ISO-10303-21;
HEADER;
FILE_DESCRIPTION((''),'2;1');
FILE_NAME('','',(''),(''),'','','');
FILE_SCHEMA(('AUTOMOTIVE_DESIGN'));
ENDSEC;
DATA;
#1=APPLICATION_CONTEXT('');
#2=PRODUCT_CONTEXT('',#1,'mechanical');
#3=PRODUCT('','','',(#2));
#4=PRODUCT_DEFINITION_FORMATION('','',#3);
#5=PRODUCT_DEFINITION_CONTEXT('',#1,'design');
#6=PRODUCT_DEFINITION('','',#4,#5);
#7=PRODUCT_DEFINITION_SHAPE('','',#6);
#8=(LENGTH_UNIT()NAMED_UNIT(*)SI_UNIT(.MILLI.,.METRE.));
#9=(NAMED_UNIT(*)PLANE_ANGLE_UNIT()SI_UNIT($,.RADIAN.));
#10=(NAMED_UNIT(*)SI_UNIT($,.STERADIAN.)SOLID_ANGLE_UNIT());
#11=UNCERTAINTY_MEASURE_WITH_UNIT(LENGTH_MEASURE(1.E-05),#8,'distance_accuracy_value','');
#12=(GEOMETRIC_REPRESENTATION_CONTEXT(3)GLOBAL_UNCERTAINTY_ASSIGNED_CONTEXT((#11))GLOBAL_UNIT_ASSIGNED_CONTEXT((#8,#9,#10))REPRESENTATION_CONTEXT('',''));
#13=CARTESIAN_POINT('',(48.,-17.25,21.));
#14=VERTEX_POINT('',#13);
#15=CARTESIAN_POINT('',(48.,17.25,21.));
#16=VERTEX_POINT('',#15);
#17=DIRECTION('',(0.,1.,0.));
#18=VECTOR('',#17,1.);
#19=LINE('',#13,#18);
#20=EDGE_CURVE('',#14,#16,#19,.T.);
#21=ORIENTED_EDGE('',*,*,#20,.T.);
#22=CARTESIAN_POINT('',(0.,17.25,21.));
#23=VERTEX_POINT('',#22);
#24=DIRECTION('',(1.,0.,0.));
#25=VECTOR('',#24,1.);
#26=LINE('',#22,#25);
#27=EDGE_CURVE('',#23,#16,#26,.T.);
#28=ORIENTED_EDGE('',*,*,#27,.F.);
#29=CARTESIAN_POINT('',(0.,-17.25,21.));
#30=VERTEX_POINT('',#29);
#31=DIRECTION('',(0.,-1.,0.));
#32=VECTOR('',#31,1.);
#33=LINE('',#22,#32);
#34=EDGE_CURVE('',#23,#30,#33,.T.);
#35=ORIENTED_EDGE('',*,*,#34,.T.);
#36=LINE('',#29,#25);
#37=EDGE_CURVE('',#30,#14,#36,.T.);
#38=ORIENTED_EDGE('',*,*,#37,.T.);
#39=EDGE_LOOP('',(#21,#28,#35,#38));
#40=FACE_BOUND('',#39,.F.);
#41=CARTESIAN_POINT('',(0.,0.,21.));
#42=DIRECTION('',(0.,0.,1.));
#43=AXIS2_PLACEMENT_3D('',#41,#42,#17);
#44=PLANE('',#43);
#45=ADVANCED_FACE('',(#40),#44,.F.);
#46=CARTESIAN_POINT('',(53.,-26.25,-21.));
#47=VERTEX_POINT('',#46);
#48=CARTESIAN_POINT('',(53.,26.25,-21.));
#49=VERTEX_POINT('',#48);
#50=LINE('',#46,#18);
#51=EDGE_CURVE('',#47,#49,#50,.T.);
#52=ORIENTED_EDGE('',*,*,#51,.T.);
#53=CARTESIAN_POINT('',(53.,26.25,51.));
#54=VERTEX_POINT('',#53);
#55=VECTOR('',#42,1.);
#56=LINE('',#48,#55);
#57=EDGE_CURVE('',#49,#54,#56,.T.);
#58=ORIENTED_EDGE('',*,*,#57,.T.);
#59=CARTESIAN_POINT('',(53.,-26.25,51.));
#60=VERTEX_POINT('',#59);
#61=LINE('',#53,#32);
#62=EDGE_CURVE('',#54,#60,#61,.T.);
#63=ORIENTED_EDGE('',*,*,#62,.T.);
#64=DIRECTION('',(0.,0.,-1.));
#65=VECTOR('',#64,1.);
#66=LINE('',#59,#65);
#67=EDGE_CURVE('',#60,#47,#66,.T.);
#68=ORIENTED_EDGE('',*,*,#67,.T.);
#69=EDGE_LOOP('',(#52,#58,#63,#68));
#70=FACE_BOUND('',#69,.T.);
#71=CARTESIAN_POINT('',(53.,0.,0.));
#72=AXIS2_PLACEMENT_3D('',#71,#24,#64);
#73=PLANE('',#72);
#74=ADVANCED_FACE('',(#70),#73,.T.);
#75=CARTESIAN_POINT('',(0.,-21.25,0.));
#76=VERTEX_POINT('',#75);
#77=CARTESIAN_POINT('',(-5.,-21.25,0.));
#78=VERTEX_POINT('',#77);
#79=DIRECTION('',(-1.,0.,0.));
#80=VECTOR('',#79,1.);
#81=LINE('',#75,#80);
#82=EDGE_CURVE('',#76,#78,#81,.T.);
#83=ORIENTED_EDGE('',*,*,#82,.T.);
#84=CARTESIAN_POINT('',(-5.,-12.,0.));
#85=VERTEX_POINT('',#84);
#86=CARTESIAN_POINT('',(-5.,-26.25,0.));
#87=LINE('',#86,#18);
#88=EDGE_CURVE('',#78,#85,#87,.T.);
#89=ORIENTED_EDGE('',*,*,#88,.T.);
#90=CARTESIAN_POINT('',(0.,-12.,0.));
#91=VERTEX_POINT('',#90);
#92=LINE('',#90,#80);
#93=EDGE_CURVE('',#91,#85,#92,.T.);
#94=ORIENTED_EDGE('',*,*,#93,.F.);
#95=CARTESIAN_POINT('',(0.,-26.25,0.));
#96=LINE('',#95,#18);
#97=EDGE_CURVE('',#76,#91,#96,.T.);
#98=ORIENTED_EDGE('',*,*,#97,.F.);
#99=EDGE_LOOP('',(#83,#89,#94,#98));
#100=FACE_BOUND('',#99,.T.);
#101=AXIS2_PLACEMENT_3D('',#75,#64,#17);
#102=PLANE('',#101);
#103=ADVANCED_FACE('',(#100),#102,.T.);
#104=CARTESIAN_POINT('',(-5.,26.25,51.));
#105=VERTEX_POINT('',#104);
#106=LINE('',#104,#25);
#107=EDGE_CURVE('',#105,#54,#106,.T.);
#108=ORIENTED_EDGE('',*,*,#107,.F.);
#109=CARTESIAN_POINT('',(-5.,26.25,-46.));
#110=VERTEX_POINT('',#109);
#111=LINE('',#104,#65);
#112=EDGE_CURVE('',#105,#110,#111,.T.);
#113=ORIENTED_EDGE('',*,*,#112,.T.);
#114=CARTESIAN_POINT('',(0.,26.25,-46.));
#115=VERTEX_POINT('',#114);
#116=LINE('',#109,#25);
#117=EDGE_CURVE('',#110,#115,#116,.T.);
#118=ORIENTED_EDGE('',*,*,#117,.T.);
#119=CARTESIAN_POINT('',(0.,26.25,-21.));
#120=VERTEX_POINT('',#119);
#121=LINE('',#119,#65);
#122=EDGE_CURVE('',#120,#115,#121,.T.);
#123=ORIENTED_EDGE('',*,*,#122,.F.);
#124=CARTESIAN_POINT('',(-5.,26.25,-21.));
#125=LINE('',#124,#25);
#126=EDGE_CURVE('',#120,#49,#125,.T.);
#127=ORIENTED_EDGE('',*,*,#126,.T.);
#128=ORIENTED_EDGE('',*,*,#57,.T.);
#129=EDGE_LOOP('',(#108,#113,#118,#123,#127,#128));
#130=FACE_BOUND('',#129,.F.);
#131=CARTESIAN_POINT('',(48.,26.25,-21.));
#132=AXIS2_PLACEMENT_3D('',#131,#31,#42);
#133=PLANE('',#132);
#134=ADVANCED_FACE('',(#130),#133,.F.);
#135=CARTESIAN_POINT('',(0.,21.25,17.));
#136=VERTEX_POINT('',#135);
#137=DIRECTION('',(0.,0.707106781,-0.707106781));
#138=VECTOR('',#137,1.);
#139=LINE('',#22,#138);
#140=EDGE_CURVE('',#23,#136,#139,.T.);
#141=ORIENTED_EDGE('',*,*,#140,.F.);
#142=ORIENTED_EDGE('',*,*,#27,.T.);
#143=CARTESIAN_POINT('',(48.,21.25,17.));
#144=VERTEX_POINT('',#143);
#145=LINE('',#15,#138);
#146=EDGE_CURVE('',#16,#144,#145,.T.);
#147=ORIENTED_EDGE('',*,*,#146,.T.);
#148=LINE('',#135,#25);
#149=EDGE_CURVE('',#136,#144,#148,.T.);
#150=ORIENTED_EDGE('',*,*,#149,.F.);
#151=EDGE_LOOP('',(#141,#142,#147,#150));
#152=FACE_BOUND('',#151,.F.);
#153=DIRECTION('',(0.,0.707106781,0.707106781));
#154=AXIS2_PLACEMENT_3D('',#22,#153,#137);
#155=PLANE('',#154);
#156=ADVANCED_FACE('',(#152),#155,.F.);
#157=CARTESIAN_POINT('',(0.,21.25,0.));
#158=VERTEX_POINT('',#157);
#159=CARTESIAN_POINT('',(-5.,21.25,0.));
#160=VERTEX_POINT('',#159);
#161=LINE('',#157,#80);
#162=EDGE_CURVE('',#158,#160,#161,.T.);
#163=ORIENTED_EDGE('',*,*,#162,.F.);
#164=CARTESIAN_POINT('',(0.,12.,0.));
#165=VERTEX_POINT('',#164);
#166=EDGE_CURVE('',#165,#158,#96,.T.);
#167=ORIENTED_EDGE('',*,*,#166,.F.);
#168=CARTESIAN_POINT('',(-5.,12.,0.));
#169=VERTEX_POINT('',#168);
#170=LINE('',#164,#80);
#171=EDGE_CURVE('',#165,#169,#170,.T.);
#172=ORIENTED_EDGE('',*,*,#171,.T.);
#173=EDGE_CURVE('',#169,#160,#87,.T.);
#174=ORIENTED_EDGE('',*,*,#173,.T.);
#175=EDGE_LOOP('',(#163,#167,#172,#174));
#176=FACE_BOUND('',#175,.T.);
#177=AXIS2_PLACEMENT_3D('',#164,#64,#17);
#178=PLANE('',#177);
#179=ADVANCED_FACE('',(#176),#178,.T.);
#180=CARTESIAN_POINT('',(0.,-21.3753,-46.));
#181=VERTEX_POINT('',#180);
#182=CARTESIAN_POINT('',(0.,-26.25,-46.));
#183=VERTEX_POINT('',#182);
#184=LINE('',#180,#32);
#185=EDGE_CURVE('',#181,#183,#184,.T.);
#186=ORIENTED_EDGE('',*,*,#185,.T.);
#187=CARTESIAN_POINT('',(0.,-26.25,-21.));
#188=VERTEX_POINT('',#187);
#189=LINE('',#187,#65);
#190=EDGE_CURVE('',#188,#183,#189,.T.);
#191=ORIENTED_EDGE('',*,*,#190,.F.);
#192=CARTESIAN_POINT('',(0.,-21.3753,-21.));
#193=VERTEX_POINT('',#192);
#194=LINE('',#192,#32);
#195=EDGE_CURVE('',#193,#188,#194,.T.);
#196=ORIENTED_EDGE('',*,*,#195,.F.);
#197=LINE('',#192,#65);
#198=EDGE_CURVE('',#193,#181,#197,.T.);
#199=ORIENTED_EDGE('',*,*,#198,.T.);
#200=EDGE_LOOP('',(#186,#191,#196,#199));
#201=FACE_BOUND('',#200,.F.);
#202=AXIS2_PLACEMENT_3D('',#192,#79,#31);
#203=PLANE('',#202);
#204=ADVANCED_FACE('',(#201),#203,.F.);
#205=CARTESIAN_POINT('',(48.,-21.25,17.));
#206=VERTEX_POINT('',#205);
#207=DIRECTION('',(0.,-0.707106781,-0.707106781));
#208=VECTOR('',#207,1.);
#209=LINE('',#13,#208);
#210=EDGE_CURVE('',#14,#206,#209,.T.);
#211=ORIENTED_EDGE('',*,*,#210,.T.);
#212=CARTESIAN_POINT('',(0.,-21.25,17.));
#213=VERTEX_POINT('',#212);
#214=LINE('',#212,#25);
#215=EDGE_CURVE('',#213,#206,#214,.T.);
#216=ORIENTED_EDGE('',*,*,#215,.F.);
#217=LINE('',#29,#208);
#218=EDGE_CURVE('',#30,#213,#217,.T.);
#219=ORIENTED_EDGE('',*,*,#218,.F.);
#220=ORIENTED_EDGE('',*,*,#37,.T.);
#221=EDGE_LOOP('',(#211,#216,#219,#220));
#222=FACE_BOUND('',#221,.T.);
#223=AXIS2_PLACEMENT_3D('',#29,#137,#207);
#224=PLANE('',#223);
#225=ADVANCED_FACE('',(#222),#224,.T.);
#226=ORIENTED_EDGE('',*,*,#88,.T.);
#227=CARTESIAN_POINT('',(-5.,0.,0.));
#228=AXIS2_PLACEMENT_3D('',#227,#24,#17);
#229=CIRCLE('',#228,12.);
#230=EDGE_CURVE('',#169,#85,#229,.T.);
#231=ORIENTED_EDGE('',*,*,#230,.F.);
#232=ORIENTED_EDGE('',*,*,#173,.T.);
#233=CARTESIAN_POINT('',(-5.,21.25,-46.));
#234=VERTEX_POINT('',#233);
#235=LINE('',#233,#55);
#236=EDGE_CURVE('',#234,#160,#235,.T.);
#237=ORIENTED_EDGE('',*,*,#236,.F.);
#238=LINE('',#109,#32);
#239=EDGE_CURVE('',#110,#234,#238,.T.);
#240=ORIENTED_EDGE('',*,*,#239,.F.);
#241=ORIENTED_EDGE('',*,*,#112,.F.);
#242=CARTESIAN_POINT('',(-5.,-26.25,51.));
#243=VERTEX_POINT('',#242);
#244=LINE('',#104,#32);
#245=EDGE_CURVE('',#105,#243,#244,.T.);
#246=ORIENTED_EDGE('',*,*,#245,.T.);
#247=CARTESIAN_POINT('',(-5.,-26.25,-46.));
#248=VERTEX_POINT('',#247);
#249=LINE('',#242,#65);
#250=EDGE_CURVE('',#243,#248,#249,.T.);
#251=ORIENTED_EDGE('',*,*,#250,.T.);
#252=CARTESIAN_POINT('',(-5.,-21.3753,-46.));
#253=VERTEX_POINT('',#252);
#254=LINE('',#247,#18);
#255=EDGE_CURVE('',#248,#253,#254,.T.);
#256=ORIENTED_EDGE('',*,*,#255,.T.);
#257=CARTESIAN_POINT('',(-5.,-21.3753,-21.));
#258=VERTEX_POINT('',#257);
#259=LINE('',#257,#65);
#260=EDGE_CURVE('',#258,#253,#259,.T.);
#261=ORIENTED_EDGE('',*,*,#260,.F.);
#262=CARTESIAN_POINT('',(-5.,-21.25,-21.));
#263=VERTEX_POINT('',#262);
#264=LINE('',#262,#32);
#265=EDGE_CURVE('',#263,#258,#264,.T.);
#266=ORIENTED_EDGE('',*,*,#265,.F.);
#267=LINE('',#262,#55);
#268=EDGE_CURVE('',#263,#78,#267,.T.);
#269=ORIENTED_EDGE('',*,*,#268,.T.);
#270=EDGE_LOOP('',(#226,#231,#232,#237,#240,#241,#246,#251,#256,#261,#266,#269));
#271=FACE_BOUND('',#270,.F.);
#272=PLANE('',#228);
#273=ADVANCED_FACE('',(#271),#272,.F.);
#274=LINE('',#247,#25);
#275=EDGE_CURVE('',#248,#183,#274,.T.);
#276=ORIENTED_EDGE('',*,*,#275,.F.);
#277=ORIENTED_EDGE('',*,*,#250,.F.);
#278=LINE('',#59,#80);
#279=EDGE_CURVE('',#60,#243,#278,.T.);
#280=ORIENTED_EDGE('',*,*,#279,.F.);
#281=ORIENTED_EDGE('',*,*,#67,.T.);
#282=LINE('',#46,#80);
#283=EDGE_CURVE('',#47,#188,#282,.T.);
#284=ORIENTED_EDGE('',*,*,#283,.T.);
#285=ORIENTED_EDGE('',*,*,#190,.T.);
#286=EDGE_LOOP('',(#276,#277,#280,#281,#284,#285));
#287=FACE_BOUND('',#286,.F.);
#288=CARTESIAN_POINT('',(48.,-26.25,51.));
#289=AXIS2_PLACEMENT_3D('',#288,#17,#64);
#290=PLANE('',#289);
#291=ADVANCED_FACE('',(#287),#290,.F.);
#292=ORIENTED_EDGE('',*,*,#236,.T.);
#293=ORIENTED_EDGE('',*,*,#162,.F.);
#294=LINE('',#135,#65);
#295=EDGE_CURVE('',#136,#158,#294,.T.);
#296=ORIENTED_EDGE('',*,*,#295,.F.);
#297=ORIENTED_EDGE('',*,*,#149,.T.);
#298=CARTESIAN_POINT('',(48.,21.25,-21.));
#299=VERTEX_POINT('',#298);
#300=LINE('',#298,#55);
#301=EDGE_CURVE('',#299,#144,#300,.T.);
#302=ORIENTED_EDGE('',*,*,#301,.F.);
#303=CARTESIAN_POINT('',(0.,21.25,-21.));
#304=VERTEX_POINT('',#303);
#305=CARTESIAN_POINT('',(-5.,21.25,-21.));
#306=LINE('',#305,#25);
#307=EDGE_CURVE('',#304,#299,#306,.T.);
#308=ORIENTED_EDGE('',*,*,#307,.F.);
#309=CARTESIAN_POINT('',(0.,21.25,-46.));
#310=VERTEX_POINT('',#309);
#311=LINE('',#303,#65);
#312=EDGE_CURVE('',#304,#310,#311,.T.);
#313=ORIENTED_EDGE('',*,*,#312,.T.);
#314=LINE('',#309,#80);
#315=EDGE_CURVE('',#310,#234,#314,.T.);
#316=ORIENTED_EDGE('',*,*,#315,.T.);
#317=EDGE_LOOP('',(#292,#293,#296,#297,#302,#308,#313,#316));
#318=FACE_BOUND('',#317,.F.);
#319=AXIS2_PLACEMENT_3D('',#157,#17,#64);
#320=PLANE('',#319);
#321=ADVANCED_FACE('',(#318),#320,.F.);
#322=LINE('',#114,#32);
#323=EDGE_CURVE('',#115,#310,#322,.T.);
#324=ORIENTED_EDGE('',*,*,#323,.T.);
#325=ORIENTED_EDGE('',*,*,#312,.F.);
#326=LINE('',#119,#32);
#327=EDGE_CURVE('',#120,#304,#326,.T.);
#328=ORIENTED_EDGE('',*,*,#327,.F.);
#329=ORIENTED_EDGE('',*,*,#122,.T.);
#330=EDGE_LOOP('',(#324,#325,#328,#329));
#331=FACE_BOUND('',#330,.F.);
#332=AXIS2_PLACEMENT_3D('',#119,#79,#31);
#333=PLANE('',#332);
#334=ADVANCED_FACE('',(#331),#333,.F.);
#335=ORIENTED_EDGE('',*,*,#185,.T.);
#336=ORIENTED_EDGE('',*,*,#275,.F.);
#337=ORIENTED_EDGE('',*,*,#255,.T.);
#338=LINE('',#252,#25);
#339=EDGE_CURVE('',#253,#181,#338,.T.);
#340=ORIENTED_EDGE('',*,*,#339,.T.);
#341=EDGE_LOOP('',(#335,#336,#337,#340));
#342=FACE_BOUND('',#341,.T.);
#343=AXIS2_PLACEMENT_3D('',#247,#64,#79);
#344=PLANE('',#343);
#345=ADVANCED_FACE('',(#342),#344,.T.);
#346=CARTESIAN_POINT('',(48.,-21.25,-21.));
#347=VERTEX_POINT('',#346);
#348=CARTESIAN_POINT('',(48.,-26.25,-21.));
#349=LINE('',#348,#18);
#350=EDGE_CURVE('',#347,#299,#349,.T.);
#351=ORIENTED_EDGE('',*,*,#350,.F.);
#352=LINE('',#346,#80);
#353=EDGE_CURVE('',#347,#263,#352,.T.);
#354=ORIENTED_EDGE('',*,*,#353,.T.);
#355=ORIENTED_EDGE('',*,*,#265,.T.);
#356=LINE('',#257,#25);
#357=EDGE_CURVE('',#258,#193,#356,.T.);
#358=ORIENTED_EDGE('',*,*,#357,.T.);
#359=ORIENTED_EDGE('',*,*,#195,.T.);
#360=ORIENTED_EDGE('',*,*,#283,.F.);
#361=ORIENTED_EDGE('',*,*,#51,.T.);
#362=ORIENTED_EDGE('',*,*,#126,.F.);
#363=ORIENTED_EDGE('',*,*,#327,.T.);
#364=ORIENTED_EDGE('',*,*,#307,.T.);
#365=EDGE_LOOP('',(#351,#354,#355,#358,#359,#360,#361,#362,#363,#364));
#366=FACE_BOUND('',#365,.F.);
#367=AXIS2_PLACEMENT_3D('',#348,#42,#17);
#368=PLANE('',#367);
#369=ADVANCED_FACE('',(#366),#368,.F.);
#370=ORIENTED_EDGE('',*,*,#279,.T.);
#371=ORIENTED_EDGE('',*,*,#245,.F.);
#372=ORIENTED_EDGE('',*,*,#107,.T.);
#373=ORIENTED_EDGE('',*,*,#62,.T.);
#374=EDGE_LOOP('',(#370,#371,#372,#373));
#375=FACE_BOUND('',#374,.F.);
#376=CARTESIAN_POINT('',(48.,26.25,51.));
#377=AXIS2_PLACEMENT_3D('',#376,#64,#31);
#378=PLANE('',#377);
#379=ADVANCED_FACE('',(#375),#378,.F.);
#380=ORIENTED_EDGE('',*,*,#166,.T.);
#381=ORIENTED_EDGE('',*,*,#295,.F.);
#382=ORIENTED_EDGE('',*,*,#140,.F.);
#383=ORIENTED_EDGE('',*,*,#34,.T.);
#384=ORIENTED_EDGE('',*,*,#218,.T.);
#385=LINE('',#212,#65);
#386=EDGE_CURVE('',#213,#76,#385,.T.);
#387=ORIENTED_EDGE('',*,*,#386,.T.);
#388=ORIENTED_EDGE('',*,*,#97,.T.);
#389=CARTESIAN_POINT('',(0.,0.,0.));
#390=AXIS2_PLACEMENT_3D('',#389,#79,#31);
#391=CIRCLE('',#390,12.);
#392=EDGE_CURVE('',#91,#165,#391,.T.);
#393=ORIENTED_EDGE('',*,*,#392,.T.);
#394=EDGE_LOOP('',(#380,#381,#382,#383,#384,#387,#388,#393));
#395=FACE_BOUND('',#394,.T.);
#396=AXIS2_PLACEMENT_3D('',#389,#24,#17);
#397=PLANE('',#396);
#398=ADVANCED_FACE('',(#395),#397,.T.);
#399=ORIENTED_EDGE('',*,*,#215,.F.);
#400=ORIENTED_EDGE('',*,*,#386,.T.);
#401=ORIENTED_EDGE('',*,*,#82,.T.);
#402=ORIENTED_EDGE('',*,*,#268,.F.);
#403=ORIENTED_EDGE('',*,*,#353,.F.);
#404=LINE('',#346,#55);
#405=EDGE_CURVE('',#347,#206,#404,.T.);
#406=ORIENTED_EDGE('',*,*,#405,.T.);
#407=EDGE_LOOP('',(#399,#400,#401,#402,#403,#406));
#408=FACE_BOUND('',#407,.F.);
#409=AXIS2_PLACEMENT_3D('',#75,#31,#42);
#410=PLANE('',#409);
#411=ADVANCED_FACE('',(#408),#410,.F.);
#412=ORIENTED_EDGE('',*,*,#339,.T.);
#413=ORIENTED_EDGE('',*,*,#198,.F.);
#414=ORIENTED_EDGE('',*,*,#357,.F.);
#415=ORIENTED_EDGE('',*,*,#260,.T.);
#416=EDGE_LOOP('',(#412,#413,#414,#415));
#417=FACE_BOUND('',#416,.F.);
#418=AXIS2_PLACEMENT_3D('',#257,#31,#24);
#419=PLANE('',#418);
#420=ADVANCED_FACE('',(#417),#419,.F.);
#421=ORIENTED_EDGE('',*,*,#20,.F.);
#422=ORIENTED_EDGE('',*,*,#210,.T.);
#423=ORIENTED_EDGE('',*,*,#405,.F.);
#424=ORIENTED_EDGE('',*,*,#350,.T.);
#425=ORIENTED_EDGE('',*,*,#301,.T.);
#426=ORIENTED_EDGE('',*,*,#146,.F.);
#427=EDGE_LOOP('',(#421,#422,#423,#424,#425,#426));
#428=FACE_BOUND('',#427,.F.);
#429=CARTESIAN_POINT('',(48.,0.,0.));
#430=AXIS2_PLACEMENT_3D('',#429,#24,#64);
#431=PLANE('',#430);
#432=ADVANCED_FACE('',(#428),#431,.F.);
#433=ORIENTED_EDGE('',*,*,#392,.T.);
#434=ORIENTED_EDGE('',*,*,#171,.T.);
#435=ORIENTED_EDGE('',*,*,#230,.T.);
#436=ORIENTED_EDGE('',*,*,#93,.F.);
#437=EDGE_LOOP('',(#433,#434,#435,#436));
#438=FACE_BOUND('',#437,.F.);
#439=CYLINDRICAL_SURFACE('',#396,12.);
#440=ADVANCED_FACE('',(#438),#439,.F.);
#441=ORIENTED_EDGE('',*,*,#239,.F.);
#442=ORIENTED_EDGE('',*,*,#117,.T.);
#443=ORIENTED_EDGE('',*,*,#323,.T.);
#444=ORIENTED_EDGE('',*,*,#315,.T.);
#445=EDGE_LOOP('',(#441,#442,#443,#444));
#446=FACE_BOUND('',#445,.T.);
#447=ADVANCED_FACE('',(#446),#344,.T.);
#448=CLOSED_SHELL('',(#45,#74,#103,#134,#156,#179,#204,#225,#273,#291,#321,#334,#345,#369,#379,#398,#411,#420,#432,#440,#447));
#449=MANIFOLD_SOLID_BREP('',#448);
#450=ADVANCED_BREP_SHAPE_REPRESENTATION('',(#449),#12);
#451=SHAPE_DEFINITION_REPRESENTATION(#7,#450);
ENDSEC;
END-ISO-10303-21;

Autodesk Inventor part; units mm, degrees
ref_plane "YZ Plane" through (0, 0, 0) normal (1, 0, 0) x (0, 1, 0)
ref_plane "XZ Plane" through (0, 0, 0) normal (0, 1, 0) x (-1, 0, 0)
ref_plane "XY Plane" through (0, 0, 0) normal (0, 0, 1) x (1, 0, 0)
sketch "Sketch1" plane through (0, 0, 0) normal (1, 0, 0) x (0, 1, 0)
  line L0 (21.25, -21) -> (-21.25, -21)
  line L1 (-21.25, -21) -> (-21.25, 21)
  line L2 (-21.25, 21) -> (21.25, 21)
  line L3 (21.25, 21) -> (21.25, -21)
  line L4 (21.25, -21) -> (-21.25, 21) construction
  line L5 (-21.25, -21) -> (21.25, 21) construction
  line L6 (-26.25, 26) -> (26.25, 26)
  line L7 (26.25, 26) -> (26.25, -26)
  line L8 (26.25, -26) -> (-26.25, -26)
  line L9 (-26.25, -26) -> (-26.25, 26)
  line L10 (-26.25, 26) -> (26.25, -26) construction
  line L11 (26.25, 26) -> (-26.25, -26) construction
  line L12 (17.25, 21) -> (21.25, 17)
  line L13 (-26.25, 0) -> (26.25, 0)
  line L14 (0, 26) -> (0, -26)
  line L15 (21.25, -21) -> (-21.25, 21) construction
  line L16 (-17.25, 21) -> (-21.25, 17)
  line L17 (21.25, -21) -> (26.25, -21)
  line L18 (-21.25, -21) -> (-26.25, -21)
  circle A0 centre (0, 0) radius 12
  line L19 (-26.25, 26) -> (26.25, 26)
  line L20 (26.25, 26) -> (26.25, 51)
  line L21 (26.25, 51) -> (-26.25, 51)
  line L22 (-26.25, 51) -> (-26.25, 26)
  point P0 (-21.25, 17)
  point P1 (-17.25, 21)
  point P2 (-21.25, 0)
  point P3 (-12, 0)
  point P4 (12, 0)
  point P5 (21.25, 0)
  dimension "d0" = 42.5
  dimension "d1" = 42
  dimension "d2" = 5
  dimension "d3" = 5
  dimension "d4" = 4
  dimension "d5" = 4
  dimension "d8" = 24
  dimension "d15" = 25
extrude "Extrusion1" add sketch "Sketch1" along normal blind 48 contours L3 L13 L7 L17 | L3 L2 L14 L6 L7 L13 | L18 L9 L13 L1 | L12 L2 L3 | L13 L9 L6 L14 L2 L1 | L6 L22 L21 L20 | L1 L2 L16
extrude "Extrusion2" add sketch "Sketch1" against normal blind 5 contours L3 L13 L7 L17 | L13 A0 L14 L2 L12 L3 | L3 L2 L14 L6 L7 L13 | L18 L9 L13 L1 | L12 L2 L3 | L13 L9 L6 L14 L2 L1 | L1 L16 L2 L14 A0 L13 | L6 L22 L21 L20 | L1 L2 L16
sketch "Sketch2" plane through (48, 0, 0) normal (1, 0, 0) x (0, 0, -1)
  line L0 (21, 26.25) -> (-51, 26.25)
  line L1 (-51, 26.25) -> (-51, -26.25)
  line L2 (-51, -26.25) -> (21, -26.25)
  line L3 (21, -26.25) -> (21, 26.25)
  point P0 (0, 0)
  point P1 (-26, -26.25)
extrude "Extrusion3" add sketch "Sketch2" along normal blind 5
sketch "Sketch4" plane through (-5, -26.25, -21) normal (0, 0, -1) x (-1, 0, 0)
  line L0 (0, 52.5) -> (0, 47.5) projected
  line L1 (-5, 47.5) -> (-53, 47.5) projected
  line L2 (0, 52.5) -> (-5, 52.5)
  line L3 (-5, 52.5) -> (-5, 47.5)
  line L4 (-5, 47.5) -> (0, 47.5)
  line L5 (0, 47.5) -> (0, 52.5)
  line L6 (0, 0) -> (0, 52.5) projected
  line L7 (0, 0) -> (-58, 0) projected
  line L8 (0, 4.8747) -> (-5, 4.8747)
  line L9 (-5, 4.8747) -> (-5, 0)
  line L10 (-5, 0) -> (0, 0)
  line L11 (0, 0) -> (0, 4.8747)
  point P0 (-5, 26.25)
extrude "Extrusion5" add sketch "Sketch4" along normal blind 25
properties part number "motor_mount"
